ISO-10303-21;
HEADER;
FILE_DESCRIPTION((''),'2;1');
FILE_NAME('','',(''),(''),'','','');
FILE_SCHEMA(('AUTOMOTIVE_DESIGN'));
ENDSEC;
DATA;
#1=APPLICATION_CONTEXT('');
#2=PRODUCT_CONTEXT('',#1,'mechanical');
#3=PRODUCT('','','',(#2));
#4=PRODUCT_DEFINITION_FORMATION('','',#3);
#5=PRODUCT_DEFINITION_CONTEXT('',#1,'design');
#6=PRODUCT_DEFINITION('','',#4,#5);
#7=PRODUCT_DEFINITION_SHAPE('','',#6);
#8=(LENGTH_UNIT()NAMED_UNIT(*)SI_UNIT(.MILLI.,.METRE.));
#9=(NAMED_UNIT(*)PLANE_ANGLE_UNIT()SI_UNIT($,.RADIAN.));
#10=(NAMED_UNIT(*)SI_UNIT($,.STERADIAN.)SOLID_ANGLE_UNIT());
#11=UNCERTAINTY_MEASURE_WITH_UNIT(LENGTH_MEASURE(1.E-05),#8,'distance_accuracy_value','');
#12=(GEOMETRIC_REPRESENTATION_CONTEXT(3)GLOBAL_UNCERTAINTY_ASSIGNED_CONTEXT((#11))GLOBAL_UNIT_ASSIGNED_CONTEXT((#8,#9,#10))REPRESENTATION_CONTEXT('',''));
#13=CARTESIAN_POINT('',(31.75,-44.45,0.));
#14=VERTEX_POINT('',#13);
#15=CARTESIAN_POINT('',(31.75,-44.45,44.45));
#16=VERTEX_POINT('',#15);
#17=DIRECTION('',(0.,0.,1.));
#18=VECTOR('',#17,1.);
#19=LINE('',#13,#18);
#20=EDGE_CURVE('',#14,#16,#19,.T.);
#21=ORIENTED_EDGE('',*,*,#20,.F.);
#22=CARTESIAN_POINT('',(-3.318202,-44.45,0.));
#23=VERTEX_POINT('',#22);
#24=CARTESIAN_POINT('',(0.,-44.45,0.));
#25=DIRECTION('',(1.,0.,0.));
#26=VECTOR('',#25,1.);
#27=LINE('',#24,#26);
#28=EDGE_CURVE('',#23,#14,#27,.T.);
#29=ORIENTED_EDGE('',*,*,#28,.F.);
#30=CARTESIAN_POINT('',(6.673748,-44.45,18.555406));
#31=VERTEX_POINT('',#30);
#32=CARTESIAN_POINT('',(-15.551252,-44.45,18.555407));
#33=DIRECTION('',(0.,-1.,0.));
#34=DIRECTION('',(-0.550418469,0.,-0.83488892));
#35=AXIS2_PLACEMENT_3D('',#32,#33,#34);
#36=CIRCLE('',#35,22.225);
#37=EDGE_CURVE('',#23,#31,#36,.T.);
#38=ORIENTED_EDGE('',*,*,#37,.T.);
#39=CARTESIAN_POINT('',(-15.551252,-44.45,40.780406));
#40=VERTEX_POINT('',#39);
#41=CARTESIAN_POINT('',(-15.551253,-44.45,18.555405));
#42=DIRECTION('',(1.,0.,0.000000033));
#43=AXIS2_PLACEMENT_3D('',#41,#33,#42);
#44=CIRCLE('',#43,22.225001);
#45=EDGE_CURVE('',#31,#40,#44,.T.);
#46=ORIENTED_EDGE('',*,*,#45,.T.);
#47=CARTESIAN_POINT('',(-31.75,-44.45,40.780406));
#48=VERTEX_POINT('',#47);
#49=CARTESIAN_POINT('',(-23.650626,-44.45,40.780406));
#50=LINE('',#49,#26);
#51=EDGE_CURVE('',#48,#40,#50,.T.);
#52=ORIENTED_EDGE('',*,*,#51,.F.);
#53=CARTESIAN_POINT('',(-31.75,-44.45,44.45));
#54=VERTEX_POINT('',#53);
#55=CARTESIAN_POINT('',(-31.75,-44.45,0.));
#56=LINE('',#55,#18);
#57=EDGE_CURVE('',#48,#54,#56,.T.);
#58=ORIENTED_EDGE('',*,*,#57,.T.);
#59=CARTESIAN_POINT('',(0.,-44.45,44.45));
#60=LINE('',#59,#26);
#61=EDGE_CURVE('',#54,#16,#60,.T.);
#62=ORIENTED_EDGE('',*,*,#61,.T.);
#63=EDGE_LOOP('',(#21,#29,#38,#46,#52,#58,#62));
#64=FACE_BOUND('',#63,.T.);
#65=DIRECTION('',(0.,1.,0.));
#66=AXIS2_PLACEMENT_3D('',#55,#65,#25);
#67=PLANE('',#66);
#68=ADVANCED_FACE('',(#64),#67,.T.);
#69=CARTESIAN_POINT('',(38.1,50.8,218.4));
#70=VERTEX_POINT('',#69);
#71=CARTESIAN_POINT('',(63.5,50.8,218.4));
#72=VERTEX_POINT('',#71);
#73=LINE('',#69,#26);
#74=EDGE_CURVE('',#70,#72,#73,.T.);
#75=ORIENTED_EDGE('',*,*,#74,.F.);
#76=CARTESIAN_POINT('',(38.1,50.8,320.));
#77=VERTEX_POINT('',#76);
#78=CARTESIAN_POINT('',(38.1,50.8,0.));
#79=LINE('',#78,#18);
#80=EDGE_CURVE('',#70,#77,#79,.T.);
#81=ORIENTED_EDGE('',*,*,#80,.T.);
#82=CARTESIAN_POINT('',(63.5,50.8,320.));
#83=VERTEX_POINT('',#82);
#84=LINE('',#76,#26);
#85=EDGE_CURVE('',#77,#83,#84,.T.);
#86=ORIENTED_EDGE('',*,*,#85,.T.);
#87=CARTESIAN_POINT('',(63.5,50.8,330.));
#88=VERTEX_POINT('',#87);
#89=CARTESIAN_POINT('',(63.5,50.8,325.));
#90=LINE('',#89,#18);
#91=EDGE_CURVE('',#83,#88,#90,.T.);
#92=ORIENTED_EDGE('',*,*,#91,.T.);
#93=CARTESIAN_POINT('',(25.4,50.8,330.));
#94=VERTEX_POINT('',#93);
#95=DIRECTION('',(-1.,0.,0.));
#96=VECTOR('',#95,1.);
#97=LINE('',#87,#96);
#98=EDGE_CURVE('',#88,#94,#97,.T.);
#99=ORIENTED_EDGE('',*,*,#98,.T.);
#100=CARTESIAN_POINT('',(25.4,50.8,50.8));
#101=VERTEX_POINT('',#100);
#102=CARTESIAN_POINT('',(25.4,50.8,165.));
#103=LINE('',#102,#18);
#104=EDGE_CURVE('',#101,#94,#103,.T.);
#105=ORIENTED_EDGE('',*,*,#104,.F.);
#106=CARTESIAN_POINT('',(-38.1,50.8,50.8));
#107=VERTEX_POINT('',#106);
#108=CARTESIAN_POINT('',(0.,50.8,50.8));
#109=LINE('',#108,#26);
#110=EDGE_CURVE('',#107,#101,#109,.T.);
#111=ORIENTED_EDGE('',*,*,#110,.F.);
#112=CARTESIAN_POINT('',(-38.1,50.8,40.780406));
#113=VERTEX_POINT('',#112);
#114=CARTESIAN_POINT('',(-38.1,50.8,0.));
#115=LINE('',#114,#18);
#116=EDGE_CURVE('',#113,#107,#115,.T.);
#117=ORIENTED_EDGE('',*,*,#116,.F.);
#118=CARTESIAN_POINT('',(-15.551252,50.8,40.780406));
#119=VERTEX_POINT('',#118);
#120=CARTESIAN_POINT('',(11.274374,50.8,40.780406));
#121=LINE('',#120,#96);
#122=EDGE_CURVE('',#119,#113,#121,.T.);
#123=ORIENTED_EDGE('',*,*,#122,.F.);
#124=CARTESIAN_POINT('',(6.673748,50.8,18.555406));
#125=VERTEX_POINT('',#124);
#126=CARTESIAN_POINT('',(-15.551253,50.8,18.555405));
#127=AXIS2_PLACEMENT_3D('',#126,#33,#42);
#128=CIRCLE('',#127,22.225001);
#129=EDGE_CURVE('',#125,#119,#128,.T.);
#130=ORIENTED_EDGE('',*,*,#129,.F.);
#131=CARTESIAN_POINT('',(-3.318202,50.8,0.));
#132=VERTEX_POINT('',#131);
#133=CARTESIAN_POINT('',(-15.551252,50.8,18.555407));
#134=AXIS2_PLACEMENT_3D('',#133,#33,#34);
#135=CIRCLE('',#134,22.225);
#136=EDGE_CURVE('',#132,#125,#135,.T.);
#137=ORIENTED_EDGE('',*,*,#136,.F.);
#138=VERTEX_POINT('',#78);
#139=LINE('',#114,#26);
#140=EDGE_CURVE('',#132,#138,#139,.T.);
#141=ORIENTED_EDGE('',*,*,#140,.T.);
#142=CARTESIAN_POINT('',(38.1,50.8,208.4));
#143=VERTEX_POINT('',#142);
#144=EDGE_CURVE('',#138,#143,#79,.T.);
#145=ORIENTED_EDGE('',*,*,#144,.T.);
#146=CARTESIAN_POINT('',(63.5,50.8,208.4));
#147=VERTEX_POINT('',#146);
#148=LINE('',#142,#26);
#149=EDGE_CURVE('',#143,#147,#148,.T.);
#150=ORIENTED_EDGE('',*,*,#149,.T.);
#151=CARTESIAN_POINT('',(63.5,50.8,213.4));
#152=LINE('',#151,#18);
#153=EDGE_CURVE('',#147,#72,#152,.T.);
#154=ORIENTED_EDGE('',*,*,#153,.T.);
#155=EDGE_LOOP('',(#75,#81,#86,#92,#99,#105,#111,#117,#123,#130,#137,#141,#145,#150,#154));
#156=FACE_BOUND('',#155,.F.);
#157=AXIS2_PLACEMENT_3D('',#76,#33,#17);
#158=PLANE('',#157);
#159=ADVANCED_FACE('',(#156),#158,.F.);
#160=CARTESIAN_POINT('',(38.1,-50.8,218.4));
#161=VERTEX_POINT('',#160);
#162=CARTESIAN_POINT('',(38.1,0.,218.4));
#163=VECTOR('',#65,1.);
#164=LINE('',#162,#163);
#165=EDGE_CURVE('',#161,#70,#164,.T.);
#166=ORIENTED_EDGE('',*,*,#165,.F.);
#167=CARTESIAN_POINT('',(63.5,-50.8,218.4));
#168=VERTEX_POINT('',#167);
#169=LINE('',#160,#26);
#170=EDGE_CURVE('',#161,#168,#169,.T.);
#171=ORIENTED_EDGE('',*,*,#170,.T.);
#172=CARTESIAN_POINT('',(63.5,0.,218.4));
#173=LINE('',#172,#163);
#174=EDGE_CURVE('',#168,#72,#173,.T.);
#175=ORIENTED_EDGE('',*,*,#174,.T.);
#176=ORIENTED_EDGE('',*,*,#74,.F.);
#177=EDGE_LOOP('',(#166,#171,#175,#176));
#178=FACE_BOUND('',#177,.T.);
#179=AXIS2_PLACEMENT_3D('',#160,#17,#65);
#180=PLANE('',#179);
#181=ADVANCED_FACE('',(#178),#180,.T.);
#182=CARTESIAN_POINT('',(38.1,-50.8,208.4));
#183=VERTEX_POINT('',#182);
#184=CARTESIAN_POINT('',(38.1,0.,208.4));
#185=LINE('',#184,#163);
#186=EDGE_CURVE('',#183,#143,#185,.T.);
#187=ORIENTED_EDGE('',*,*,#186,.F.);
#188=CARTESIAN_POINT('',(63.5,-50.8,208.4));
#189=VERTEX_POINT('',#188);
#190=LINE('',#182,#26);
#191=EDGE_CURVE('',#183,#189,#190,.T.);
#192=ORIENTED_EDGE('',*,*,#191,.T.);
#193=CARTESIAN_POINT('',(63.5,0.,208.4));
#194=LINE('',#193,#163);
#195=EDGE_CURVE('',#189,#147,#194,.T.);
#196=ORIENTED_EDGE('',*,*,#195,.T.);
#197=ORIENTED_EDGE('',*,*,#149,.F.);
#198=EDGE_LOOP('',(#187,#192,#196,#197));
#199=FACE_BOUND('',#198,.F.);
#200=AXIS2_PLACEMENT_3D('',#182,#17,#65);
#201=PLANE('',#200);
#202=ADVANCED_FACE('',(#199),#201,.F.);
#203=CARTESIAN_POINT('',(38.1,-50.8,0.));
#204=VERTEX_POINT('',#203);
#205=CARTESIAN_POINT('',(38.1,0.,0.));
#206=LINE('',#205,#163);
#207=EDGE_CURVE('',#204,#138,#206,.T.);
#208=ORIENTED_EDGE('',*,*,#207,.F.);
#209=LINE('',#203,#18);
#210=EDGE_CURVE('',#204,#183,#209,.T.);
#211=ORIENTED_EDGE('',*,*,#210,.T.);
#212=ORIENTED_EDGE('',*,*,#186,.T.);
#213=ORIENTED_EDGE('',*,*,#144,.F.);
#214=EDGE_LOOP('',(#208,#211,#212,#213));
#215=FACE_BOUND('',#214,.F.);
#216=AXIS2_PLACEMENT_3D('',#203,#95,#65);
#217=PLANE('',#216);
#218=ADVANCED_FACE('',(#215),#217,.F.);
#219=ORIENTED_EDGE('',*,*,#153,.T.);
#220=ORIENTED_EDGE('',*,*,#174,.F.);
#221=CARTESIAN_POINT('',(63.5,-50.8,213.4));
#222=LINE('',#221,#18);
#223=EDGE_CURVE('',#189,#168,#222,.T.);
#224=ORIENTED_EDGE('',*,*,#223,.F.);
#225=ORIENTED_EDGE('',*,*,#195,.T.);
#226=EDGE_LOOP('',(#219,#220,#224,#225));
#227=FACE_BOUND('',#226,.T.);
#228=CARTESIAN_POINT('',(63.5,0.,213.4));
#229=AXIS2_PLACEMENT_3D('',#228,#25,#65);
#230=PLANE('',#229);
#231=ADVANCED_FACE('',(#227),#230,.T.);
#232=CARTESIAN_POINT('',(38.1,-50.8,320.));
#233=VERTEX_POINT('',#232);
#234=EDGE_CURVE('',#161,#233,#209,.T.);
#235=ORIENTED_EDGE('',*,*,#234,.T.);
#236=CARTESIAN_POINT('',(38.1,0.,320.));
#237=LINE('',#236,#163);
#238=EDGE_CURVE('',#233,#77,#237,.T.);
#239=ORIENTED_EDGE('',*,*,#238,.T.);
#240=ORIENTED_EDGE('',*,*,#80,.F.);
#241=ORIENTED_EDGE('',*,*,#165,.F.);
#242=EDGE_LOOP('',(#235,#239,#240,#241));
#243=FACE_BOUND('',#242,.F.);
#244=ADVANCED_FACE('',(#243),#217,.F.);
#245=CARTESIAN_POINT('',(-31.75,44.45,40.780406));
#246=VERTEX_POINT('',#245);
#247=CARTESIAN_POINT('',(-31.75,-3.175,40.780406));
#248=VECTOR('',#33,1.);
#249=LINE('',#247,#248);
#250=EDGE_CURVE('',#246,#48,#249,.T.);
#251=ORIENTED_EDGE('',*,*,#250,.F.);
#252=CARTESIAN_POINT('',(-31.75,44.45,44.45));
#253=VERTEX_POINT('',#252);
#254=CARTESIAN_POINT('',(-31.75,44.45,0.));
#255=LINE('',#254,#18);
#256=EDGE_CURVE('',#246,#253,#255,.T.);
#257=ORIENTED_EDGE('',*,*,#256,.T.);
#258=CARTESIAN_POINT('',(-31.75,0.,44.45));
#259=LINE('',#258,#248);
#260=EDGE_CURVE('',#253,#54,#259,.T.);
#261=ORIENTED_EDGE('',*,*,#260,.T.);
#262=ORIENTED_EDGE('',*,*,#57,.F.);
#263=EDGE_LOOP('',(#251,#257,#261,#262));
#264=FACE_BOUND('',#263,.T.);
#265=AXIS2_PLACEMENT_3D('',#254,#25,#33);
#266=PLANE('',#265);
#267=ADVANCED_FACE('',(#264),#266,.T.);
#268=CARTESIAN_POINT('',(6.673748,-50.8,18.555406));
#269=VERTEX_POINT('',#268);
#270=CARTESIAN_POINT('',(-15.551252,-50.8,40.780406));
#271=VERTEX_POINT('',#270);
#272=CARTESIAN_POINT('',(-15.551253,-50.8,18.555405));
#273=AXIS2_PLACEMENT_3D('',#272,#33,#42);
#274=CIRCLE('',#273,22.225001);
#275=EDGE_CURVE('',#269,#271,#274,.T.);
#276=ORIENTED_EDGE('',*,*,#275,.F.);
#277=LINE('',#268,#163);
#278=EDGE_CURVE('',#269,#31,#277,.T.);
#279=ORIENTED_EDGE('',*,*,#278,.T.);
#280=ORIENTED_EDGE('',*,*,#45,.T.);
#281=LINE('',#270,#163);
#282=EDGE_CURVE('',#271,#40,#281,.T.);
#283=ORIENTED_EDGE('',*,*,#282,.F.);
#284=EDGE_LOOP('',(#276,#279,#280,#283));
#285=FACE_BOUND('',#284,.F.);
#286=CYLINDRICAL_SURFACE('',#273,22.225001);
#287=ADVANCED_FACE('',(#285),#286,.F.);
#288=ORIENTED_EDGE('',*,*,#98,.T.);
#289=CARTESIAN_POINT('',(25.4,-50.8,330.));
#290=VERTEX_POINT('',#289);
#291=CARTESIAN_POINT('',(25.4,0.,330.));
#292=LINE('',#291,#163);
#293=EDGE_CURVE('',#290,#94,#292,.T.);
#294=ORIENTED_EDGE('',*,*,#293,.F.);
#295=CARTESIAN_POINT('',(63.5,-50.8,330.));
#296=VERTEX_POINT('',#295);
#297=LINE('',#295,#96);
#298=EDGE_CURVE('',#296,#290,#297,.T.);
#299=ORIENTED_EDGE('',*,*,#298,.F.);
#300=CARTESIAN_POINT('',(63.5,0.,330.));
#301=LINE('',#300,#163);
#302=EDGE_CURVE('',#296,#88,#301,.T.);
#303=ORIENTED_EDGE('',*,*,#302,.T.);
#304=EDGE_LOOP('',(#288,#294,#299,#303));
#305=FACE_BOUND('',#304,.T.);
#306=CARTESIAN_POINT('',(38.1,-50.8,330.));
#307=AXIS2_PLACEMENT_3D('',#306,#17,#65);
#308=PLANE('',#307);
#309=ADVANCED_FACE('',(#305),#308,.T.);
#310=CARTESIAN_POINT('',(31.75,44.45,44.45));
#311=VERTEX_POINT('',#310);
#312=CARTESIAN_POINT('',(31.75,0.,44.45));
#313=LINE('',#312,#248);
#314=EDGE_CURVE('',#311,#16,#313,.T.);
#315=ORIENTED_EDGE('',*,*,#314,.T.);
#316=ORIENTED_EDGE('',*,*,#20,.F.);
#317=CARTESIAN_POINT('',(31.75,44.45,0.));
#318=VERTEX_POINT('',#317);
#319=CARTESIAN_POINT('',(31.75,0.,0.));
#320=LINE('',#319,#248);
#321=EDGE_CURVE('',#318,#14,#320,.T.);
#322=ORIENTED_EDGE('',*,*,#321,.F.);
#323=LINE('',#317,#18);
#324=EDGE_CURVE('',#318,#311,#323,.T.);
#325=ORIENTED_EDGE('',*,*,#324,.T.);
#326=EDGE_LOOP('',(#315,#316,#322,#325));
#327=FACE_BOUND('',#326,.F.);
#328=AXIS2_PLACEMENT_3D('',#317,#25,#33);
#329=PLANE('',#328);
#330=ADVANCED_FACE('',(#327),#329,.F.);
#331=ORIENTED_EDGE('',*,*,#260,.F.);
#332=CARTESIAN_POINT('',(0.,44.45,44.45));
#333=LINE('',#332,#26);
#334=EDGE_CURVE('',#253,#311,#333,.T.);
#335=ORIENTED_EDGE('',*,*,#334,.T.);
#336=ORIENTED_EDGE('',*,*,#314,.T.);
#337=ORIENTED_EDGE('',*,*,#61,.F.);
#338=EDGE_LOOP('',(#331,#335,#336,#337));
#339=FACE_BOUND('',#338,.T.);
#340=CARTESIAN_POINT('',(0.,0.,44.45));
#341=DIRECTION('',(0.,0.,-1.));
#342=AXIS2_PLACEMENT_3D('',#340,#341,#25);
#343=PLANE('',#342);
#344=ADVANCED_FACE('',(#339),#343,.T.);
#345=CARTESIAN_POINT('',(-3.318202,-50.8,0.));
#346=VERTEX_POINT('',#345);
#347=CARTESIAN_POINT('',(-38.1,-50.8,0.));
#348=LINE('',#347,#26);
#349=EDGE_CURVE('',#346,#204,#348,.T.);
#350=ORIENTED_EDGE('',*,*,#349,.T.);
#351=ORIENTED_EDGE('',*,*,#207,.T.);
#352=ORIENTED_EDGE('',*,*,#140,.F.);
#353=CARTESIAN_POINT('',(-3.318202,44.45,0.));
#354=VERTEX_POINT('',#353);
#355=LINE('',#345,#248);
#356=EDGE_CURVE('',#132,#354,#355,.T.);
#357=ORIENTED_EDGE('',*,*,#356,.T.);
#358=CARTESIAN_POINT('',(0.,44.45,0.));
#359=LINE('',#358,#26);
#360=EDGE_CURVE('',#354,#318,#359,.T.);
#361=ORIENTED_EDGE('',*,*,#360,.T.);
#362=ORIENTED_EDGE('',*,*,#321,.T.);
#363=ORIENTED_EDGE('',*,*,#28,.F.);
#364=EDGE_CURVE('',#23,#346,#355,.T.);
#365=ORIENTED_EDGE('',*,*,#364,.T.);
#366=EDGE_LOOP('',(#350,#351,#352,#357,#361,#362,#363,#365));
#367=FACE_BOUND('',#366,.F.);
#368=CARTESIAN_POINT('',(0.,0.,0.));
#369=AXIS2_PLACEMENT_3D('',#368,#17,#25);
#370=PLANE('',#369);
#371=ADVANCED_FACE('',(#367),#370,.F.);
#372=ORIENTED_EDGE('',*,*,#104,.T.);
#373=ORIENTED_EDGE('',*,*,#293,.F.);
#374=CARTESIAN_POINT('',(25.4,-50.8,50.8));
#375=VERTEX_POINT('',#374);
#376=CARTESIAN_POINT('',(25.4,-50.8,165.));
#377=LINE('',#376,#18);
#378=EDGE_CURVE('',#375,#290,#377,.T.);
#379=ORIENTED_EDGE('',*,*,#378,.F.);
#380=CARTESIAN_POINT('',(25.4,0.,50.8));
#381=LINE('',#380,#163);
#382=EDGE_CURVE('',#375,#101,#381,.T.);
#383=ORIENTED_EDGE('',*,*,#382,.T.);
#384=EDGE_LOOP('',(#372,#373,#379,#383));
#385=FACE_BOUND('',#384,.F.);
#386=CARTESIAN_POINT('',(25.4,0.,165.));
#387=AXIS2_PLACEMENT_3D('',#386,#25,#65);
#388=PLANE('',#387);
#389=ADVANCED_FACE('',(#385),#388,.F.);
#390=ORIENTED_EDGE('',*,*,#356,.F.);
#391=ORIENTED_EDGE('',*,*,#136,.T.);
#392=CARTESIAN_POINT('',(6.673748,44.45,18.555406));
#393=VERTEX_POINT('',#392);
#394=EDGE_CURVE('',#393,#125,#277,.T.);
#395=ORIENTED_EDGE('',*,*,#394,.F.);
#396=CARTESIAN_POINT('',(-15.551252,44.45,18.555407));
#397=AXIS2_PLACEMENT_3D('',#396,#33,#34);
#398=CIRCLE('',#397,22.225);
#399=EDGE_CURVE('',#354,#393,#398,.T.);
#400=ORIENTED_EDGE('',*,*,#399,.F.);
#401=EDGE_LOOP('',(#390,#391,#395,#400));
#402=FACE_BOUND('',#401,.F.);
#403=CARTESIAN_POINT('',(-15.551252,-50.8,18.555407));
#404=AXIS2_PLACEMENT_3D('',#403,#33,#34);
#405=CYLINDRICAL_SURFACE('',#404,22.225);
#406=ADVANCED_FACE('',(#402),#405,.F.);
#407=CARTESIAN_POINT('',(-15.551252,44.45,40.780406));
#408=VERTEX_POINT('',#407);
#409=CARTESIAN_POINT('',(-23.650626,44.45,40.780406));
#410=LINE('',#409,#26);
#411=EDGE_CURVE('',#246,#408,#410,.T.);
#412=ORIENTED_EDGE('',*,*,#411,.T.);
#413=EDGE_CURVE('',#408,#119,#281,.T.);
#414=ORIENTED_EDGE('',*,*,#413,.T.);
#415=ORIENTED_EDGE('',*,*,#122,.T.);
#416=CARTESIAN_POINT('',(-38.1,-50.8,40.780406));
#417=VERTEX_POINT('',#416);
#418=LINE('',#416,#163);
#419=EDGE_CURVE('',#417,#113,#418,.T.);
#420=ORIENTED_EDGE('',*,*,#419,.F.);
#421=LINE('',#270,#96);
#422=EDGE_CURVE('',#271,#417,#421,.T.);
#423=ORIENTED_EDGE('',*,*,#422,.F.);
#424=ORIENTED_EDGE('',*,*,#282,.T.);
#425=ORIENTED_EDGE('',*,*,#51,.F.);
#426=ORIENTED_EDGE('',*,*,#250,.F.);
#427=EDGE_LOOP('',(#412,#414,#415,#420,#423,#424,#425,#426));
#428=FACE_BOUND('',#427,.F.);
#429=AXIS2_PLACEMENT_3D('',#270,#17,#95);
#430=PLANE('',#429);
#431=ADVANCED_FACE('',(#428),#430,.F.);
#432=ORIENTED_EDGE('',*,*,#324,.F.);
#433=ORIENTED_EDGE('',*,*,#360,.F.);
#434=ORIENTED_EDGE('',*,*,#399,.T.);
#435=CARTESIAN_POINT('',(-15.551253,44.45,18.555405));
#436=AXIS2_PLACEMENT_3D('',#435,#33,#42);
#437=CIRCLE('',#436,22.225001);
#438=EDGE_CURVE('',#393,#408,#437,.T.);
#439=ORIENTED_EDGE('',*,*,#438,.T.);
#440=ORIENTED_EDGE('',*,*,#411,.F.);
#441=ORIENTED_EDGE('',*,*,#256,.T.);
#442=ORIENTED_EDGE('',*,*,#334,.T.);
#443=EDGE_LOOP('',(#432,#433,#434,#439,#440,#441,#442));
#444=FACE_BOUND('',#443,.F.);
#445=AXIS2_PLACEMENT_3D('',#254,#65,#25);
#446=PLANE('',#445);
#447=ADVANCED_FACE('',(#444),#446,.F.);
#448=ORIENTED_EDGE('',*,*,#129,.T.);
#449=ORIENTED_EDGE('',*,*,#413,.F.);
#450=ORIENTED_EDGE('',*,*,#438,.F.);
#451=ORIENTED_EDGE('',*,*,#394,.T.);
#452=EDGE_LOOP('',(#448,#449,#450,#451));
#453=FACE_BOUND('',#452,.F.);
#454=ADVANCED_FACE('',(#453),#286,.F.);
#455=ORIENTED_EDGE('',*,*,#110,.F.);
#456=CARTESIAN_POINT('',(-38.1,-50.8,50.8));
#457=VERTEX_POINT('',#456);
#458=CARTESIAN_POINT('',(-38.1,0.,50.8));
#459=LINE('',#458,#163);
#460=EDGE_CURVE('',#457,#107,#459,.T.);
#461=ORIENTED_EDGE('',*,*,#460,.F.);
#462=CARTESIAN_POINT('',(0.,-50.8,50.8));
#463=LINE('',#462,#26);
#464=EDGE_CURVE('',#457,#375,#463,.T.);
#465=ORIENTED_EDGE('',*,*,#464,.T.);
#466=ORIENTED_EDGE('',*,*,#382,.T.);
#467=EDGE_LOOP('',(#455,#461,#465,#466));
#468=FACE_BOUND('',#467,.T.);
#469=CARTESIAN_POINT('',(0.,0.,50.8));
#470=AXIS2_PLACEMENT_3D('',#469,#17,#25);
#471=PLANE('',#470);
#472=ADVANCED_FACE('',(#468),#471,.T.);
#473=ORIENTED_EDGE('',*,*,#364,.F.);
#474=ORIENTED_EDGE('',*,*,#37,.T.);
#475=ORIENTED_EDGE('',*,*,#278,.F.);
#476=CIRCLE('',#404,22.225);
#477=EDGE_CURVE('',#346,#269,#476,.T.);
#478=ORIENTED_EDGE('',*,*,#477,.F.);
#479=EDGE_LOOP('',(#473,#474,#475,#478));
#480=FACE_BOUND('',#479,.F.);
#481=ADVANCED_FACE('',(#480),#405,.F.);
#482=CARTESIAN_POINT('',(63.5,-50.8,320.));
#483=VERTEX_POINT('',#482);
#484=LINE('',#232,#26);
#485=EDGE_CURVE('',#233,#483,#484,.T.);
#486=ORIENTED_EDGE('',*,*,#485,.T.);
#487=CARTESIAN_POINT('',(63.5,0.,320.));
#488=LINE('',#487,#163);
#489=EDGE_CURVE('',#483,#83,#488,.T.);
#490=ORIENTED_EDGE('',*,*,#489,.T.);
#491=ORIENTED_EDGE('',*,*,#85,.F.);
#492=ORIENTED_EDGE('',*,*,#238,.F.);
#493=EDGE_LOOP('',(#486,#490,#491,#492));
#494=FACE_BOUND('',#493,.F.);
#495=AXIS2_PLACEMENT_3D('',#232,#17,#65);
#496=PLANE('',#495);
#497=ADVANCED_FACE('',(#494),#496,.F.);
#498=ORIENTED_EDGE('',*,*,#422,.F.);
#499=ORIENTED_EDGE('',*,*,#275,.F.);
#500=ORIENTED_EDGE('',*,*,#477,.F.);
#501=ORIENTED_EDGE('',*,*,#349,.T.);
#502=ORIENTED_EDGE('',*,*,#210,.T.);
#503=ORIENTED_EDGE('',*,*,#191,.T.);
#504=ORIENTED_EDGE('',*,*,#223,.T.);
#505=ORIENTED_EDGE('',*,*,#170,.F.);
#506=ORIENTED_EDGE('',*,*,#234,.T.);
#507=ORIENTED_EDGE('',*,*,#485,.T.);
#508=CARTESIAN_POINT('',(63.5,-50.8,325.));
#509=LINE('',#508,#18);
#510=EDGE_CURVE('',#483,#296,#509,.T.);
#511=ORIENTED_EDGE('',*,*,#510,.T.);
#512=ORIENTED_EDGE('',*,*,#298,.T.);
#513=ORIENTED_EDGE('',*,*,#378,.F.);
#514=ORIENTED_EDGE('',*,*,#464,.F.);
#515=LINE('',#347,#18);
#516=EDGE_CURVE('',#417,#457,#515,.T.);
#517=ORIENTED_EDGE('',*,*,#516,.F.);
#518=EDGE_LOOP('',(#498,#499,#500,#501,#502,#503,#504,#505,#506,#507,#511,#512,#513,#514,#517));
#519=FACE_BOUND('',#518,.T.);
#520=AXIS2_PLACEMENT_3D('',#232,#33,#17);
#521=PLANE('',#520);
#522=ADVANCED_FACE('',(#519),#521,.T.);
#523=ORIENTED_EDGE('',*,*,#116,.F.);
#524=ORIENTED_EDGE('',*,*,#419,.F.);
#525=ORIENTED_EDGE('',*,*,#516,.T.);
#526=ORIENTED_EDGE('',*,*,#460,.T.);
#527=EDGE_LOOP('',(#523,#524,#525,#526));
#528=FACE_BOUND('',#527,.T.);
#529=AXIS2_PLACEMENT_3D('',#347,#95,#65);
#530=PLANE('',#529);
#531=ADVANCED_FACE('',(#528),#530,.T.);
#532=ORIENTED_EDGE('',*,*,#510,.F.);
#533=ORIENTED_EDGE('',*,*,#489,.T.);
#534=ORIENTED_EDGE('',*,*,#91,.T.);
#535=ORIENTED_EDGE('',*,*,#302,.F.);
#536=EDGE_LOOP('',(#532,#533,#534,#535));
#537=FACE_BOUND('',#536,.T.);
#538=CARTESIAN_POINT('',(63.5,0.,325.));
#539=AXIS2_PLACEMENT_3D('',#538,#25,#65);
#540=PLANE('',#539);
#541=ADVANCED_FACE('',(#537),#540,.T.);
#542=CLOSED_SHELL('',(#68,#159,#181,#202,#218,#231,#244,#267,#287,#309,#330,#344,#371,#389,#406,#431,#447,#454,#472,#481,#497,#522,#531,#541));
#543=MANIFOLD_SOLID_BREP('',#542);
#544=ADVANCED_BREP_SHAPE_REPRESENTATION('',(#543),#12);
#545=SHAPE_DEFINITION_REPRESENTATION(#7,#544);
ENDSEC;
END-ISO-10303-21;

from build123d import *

# Parameters (mm, degrees)
F0_W     = 76.2
F0_H     = 101.6
F1_DEPTH = 50.8
F2_W     = 101.6
F2_H     = 330
F3_DEPTH = 12.7
F4_W     = 101.6
F4_H     = 10
F5_DEPTH = 25.4
F6_W     = 63.5
F6_H     = 88.9
F7_DEPTH = 44.45
F9_DEPTH = 114.808


with BuildPart() as f1:
    # F0 (on Top) → F1 (new body)
    with BuildSketch(Plane.XY):
        Rectangle(F0_W, F0_H)
    extrude(amount=F1_DEPTH)

    # F2 (on face) → F3 (join)
    with BuildSketch(Plane.YZ.offset(38.1)):
        with Locations((0, 165)):
            Rectangle(F2_W, F2_H)
    extrude(amount=-F3_DEPTH)

    # F4 (on face) → F5 (join)
    with BuildSketch(Plane.YZ.offset(38.1)):
        with Locations((0, 325)):
            Rectangle(F4_W, F4_H)
        with Locations((0, 213.4)):
            Rectangle(F4_W, F4_H)
    extrude(amount=F5_DEPTH)

    # F6 (on face) → F7 (cut)
    with BuildSketch(Plane(origin=(0, 0, 0), x_dir=(1, 0, 0), z_dir=(0, 0, -1))):
        Rectangle(F6_W, F6_H)
    extrude(amount=-F7_DEPTH, mode=Mode.SUBTRACT)

    # F8 (on face) → F9 (cut)
    with BuildSketch(Plane.XZ.offset(50.8)):
        with BuildLine():
            ThreePointArc((-27.784303, 0), (-5.013912, -1.01281), (6.673748, 18.555406))
            ThreePointArc((6.673748, 18.555406), (0.164196, 34.270854), (-15.551252, 40.780406))
            ThreePointArc((-15.551252, 40.780406), (-36.839095, 24.9412), (-27.784303, 0))
        make_face()
        with BuildLine():
            ThreePointArc((-27.784303, 0), (-36.839095, 24.9412), (-15.551252, 40.780406))
            Line((-15.551252, 40.780406), (-38.1, 40.780406))
            Line((-38.1, 40.780406), (-38.1, 0))
            Line((-38.1, 0), (-27.784303, 0))
        make_face()
    extrude(amount=-F9_DEPTH, mode=Mode.SUBTRACT)


solid = f1.part
